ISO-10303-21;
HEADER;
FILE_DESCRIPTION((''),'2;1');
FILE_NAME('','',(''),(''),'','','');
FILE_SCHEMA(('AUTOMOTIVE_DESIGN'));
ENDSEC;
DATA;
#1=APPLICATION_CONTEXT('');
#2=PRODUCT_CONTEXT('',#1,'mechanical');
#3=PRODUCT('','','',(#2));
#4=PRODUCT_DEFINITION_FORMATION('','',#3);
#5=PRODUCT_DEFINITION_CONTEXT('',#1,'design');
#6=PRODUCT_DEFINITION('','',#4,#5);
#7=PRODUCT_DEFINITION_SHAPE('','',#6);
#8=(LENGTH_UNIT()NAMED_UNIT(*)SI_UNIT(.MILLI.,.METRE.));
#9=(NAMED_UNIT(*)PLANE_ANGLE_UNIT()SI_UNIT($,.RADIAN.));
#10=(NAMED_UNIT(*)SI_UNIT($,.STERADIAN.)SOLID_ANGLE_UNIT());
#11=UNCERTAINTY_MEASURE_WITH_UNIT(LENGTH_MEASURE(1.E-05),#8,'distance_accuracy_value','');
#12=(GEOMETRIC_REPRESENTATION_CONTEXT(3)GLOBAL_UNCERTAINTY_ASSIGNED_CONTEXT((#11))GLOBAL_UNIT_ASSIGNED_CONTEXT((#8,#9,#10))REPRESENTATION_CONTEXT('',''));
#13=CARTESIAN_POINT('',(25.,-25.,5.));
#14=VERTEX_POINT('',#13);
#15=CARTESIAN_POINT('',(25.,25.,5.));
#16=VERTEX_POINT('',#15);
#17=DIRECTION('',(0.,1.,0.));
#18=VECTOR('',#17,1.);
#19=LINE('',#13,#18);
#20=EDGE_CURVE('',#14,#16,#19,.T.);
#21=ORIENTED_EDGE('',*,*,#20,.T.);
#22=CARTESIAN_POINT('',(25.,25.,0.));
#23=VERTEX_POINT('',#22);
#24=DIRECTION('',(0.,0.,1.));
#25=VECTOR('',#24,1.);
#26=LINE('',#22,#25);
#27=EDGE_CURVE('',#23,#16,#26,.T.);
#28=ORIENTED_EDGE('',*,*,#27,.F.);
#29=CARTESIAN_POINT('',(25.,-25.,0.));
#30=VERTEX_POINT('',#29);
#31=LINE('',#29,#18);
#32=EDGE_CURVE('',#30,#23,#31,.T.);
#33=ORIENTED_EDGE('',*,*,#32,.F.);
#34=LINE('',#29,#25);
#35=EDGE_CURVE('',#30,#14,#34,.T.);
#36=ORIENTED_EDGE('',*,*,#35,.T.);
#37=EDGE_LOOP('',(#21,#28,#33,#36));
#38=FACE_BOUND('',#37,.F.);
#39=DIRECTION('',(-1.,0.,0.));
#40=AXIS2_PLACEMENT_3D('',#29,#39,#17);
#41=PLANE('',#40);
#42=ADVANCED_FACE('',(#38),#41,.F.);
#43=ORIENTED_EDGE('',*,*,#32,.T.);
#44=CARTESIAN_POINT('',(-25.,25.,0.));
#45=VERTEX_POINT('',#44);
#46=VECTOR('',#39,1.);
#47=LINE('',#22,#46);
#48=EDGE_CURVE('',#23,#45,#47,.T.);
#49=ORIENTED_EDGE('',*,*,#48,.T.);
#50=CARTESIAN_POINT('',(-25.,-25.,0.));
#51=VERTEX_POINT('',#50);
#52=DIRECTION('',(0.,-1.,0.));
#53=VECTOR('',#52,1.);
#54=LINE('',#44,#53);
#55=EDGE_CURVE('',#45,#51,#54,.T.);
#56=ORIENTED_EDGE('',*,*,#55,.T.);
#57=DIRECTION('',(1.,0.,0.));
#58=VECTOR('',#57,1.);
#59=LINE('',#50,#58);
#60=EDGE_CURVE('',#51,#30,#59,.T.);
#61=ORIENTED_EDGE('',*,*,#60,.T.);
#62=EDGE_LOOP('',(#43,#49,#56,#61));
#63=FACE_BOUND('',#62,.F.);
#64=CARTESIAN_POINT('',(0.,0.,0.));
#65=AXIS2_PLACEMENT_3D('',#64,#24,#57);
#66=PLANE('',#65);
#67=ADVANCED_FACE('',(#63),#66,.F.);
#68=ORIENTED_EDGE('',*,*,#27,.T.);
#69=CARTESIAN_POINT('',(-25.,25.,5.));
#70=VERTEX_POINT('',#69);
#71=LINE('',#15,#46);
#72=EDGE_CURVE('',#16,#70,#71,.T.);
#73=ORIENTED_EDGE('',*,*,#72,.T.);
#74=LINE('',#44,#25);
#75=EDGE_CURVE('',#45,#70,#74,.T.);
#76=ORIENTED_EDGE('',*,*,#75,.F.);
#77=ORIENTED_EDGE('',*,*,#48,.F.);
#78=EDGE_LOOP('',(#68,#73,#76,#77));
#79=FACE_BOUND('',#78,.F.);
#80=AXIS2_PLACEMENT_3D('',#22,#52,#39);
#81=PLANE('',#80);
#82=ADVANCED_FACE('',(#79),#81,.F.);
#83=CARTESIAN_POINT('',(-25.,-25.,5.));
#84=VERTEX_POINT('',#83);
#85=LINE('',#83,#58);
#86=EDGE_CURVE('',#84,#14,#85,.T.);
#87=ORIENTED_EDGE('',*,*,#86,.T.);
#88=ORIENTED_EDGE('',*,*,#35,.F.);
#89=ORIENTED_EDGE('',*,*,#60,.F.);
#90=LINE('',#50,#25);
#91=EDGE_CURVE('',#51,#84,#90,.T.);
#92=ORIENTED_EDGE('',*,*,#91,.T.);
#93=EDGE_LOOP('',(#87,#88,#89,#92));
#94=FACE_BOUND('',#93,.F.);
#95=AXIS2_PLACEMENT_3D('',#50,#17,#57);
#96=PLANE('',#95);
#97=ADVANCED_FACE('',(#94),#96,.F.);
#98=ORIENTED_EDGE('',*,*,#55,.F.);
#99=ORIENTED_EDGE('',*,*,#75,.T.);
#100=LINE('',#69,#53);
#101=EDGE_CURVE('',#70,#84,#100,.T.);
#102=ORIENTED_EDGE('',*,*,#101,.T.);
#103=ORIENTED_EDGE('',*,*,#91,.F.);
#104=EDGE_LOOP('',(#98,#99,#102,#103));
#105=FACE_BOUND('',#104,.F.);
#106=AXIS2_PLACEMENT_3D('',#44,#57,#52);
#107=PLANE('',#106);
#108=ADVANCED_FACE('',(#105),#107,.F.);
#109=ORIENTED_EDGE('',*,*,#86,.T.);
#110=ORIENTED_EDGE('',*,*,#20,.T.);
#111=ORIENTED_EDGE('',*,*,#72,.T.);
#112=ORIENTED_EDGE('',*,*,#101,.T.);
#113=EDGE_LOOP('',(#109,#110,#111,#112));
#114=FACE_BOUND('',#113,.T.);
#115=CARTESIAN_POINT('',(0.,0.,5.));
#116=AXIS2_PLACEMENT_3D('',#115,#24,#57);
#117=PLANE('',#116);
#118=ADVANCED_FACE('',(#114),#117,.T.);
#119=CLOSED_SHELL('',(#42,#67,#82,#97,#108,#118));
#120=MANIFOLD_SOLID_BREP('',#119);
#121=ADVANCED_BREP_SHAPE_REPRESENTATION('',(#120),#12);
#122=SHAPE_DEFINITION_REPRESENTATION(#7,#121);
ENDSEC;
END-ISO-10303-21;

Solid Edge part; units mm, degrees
sketch "Sketch1" plane through (0, 0, 0) normal (0, 0, 1) x (1, 0, 0)
  line L0 (-25, -25) -> (25, -25)
  line L1 (25, -25) -> (25, 25)
  line L2 (25, 25) -> (-25, 25)
  line L3 (-25, 25) -> (-25, -25)
extrude "Protrusion1" add sketch "Sketch1" along normal blind 5
